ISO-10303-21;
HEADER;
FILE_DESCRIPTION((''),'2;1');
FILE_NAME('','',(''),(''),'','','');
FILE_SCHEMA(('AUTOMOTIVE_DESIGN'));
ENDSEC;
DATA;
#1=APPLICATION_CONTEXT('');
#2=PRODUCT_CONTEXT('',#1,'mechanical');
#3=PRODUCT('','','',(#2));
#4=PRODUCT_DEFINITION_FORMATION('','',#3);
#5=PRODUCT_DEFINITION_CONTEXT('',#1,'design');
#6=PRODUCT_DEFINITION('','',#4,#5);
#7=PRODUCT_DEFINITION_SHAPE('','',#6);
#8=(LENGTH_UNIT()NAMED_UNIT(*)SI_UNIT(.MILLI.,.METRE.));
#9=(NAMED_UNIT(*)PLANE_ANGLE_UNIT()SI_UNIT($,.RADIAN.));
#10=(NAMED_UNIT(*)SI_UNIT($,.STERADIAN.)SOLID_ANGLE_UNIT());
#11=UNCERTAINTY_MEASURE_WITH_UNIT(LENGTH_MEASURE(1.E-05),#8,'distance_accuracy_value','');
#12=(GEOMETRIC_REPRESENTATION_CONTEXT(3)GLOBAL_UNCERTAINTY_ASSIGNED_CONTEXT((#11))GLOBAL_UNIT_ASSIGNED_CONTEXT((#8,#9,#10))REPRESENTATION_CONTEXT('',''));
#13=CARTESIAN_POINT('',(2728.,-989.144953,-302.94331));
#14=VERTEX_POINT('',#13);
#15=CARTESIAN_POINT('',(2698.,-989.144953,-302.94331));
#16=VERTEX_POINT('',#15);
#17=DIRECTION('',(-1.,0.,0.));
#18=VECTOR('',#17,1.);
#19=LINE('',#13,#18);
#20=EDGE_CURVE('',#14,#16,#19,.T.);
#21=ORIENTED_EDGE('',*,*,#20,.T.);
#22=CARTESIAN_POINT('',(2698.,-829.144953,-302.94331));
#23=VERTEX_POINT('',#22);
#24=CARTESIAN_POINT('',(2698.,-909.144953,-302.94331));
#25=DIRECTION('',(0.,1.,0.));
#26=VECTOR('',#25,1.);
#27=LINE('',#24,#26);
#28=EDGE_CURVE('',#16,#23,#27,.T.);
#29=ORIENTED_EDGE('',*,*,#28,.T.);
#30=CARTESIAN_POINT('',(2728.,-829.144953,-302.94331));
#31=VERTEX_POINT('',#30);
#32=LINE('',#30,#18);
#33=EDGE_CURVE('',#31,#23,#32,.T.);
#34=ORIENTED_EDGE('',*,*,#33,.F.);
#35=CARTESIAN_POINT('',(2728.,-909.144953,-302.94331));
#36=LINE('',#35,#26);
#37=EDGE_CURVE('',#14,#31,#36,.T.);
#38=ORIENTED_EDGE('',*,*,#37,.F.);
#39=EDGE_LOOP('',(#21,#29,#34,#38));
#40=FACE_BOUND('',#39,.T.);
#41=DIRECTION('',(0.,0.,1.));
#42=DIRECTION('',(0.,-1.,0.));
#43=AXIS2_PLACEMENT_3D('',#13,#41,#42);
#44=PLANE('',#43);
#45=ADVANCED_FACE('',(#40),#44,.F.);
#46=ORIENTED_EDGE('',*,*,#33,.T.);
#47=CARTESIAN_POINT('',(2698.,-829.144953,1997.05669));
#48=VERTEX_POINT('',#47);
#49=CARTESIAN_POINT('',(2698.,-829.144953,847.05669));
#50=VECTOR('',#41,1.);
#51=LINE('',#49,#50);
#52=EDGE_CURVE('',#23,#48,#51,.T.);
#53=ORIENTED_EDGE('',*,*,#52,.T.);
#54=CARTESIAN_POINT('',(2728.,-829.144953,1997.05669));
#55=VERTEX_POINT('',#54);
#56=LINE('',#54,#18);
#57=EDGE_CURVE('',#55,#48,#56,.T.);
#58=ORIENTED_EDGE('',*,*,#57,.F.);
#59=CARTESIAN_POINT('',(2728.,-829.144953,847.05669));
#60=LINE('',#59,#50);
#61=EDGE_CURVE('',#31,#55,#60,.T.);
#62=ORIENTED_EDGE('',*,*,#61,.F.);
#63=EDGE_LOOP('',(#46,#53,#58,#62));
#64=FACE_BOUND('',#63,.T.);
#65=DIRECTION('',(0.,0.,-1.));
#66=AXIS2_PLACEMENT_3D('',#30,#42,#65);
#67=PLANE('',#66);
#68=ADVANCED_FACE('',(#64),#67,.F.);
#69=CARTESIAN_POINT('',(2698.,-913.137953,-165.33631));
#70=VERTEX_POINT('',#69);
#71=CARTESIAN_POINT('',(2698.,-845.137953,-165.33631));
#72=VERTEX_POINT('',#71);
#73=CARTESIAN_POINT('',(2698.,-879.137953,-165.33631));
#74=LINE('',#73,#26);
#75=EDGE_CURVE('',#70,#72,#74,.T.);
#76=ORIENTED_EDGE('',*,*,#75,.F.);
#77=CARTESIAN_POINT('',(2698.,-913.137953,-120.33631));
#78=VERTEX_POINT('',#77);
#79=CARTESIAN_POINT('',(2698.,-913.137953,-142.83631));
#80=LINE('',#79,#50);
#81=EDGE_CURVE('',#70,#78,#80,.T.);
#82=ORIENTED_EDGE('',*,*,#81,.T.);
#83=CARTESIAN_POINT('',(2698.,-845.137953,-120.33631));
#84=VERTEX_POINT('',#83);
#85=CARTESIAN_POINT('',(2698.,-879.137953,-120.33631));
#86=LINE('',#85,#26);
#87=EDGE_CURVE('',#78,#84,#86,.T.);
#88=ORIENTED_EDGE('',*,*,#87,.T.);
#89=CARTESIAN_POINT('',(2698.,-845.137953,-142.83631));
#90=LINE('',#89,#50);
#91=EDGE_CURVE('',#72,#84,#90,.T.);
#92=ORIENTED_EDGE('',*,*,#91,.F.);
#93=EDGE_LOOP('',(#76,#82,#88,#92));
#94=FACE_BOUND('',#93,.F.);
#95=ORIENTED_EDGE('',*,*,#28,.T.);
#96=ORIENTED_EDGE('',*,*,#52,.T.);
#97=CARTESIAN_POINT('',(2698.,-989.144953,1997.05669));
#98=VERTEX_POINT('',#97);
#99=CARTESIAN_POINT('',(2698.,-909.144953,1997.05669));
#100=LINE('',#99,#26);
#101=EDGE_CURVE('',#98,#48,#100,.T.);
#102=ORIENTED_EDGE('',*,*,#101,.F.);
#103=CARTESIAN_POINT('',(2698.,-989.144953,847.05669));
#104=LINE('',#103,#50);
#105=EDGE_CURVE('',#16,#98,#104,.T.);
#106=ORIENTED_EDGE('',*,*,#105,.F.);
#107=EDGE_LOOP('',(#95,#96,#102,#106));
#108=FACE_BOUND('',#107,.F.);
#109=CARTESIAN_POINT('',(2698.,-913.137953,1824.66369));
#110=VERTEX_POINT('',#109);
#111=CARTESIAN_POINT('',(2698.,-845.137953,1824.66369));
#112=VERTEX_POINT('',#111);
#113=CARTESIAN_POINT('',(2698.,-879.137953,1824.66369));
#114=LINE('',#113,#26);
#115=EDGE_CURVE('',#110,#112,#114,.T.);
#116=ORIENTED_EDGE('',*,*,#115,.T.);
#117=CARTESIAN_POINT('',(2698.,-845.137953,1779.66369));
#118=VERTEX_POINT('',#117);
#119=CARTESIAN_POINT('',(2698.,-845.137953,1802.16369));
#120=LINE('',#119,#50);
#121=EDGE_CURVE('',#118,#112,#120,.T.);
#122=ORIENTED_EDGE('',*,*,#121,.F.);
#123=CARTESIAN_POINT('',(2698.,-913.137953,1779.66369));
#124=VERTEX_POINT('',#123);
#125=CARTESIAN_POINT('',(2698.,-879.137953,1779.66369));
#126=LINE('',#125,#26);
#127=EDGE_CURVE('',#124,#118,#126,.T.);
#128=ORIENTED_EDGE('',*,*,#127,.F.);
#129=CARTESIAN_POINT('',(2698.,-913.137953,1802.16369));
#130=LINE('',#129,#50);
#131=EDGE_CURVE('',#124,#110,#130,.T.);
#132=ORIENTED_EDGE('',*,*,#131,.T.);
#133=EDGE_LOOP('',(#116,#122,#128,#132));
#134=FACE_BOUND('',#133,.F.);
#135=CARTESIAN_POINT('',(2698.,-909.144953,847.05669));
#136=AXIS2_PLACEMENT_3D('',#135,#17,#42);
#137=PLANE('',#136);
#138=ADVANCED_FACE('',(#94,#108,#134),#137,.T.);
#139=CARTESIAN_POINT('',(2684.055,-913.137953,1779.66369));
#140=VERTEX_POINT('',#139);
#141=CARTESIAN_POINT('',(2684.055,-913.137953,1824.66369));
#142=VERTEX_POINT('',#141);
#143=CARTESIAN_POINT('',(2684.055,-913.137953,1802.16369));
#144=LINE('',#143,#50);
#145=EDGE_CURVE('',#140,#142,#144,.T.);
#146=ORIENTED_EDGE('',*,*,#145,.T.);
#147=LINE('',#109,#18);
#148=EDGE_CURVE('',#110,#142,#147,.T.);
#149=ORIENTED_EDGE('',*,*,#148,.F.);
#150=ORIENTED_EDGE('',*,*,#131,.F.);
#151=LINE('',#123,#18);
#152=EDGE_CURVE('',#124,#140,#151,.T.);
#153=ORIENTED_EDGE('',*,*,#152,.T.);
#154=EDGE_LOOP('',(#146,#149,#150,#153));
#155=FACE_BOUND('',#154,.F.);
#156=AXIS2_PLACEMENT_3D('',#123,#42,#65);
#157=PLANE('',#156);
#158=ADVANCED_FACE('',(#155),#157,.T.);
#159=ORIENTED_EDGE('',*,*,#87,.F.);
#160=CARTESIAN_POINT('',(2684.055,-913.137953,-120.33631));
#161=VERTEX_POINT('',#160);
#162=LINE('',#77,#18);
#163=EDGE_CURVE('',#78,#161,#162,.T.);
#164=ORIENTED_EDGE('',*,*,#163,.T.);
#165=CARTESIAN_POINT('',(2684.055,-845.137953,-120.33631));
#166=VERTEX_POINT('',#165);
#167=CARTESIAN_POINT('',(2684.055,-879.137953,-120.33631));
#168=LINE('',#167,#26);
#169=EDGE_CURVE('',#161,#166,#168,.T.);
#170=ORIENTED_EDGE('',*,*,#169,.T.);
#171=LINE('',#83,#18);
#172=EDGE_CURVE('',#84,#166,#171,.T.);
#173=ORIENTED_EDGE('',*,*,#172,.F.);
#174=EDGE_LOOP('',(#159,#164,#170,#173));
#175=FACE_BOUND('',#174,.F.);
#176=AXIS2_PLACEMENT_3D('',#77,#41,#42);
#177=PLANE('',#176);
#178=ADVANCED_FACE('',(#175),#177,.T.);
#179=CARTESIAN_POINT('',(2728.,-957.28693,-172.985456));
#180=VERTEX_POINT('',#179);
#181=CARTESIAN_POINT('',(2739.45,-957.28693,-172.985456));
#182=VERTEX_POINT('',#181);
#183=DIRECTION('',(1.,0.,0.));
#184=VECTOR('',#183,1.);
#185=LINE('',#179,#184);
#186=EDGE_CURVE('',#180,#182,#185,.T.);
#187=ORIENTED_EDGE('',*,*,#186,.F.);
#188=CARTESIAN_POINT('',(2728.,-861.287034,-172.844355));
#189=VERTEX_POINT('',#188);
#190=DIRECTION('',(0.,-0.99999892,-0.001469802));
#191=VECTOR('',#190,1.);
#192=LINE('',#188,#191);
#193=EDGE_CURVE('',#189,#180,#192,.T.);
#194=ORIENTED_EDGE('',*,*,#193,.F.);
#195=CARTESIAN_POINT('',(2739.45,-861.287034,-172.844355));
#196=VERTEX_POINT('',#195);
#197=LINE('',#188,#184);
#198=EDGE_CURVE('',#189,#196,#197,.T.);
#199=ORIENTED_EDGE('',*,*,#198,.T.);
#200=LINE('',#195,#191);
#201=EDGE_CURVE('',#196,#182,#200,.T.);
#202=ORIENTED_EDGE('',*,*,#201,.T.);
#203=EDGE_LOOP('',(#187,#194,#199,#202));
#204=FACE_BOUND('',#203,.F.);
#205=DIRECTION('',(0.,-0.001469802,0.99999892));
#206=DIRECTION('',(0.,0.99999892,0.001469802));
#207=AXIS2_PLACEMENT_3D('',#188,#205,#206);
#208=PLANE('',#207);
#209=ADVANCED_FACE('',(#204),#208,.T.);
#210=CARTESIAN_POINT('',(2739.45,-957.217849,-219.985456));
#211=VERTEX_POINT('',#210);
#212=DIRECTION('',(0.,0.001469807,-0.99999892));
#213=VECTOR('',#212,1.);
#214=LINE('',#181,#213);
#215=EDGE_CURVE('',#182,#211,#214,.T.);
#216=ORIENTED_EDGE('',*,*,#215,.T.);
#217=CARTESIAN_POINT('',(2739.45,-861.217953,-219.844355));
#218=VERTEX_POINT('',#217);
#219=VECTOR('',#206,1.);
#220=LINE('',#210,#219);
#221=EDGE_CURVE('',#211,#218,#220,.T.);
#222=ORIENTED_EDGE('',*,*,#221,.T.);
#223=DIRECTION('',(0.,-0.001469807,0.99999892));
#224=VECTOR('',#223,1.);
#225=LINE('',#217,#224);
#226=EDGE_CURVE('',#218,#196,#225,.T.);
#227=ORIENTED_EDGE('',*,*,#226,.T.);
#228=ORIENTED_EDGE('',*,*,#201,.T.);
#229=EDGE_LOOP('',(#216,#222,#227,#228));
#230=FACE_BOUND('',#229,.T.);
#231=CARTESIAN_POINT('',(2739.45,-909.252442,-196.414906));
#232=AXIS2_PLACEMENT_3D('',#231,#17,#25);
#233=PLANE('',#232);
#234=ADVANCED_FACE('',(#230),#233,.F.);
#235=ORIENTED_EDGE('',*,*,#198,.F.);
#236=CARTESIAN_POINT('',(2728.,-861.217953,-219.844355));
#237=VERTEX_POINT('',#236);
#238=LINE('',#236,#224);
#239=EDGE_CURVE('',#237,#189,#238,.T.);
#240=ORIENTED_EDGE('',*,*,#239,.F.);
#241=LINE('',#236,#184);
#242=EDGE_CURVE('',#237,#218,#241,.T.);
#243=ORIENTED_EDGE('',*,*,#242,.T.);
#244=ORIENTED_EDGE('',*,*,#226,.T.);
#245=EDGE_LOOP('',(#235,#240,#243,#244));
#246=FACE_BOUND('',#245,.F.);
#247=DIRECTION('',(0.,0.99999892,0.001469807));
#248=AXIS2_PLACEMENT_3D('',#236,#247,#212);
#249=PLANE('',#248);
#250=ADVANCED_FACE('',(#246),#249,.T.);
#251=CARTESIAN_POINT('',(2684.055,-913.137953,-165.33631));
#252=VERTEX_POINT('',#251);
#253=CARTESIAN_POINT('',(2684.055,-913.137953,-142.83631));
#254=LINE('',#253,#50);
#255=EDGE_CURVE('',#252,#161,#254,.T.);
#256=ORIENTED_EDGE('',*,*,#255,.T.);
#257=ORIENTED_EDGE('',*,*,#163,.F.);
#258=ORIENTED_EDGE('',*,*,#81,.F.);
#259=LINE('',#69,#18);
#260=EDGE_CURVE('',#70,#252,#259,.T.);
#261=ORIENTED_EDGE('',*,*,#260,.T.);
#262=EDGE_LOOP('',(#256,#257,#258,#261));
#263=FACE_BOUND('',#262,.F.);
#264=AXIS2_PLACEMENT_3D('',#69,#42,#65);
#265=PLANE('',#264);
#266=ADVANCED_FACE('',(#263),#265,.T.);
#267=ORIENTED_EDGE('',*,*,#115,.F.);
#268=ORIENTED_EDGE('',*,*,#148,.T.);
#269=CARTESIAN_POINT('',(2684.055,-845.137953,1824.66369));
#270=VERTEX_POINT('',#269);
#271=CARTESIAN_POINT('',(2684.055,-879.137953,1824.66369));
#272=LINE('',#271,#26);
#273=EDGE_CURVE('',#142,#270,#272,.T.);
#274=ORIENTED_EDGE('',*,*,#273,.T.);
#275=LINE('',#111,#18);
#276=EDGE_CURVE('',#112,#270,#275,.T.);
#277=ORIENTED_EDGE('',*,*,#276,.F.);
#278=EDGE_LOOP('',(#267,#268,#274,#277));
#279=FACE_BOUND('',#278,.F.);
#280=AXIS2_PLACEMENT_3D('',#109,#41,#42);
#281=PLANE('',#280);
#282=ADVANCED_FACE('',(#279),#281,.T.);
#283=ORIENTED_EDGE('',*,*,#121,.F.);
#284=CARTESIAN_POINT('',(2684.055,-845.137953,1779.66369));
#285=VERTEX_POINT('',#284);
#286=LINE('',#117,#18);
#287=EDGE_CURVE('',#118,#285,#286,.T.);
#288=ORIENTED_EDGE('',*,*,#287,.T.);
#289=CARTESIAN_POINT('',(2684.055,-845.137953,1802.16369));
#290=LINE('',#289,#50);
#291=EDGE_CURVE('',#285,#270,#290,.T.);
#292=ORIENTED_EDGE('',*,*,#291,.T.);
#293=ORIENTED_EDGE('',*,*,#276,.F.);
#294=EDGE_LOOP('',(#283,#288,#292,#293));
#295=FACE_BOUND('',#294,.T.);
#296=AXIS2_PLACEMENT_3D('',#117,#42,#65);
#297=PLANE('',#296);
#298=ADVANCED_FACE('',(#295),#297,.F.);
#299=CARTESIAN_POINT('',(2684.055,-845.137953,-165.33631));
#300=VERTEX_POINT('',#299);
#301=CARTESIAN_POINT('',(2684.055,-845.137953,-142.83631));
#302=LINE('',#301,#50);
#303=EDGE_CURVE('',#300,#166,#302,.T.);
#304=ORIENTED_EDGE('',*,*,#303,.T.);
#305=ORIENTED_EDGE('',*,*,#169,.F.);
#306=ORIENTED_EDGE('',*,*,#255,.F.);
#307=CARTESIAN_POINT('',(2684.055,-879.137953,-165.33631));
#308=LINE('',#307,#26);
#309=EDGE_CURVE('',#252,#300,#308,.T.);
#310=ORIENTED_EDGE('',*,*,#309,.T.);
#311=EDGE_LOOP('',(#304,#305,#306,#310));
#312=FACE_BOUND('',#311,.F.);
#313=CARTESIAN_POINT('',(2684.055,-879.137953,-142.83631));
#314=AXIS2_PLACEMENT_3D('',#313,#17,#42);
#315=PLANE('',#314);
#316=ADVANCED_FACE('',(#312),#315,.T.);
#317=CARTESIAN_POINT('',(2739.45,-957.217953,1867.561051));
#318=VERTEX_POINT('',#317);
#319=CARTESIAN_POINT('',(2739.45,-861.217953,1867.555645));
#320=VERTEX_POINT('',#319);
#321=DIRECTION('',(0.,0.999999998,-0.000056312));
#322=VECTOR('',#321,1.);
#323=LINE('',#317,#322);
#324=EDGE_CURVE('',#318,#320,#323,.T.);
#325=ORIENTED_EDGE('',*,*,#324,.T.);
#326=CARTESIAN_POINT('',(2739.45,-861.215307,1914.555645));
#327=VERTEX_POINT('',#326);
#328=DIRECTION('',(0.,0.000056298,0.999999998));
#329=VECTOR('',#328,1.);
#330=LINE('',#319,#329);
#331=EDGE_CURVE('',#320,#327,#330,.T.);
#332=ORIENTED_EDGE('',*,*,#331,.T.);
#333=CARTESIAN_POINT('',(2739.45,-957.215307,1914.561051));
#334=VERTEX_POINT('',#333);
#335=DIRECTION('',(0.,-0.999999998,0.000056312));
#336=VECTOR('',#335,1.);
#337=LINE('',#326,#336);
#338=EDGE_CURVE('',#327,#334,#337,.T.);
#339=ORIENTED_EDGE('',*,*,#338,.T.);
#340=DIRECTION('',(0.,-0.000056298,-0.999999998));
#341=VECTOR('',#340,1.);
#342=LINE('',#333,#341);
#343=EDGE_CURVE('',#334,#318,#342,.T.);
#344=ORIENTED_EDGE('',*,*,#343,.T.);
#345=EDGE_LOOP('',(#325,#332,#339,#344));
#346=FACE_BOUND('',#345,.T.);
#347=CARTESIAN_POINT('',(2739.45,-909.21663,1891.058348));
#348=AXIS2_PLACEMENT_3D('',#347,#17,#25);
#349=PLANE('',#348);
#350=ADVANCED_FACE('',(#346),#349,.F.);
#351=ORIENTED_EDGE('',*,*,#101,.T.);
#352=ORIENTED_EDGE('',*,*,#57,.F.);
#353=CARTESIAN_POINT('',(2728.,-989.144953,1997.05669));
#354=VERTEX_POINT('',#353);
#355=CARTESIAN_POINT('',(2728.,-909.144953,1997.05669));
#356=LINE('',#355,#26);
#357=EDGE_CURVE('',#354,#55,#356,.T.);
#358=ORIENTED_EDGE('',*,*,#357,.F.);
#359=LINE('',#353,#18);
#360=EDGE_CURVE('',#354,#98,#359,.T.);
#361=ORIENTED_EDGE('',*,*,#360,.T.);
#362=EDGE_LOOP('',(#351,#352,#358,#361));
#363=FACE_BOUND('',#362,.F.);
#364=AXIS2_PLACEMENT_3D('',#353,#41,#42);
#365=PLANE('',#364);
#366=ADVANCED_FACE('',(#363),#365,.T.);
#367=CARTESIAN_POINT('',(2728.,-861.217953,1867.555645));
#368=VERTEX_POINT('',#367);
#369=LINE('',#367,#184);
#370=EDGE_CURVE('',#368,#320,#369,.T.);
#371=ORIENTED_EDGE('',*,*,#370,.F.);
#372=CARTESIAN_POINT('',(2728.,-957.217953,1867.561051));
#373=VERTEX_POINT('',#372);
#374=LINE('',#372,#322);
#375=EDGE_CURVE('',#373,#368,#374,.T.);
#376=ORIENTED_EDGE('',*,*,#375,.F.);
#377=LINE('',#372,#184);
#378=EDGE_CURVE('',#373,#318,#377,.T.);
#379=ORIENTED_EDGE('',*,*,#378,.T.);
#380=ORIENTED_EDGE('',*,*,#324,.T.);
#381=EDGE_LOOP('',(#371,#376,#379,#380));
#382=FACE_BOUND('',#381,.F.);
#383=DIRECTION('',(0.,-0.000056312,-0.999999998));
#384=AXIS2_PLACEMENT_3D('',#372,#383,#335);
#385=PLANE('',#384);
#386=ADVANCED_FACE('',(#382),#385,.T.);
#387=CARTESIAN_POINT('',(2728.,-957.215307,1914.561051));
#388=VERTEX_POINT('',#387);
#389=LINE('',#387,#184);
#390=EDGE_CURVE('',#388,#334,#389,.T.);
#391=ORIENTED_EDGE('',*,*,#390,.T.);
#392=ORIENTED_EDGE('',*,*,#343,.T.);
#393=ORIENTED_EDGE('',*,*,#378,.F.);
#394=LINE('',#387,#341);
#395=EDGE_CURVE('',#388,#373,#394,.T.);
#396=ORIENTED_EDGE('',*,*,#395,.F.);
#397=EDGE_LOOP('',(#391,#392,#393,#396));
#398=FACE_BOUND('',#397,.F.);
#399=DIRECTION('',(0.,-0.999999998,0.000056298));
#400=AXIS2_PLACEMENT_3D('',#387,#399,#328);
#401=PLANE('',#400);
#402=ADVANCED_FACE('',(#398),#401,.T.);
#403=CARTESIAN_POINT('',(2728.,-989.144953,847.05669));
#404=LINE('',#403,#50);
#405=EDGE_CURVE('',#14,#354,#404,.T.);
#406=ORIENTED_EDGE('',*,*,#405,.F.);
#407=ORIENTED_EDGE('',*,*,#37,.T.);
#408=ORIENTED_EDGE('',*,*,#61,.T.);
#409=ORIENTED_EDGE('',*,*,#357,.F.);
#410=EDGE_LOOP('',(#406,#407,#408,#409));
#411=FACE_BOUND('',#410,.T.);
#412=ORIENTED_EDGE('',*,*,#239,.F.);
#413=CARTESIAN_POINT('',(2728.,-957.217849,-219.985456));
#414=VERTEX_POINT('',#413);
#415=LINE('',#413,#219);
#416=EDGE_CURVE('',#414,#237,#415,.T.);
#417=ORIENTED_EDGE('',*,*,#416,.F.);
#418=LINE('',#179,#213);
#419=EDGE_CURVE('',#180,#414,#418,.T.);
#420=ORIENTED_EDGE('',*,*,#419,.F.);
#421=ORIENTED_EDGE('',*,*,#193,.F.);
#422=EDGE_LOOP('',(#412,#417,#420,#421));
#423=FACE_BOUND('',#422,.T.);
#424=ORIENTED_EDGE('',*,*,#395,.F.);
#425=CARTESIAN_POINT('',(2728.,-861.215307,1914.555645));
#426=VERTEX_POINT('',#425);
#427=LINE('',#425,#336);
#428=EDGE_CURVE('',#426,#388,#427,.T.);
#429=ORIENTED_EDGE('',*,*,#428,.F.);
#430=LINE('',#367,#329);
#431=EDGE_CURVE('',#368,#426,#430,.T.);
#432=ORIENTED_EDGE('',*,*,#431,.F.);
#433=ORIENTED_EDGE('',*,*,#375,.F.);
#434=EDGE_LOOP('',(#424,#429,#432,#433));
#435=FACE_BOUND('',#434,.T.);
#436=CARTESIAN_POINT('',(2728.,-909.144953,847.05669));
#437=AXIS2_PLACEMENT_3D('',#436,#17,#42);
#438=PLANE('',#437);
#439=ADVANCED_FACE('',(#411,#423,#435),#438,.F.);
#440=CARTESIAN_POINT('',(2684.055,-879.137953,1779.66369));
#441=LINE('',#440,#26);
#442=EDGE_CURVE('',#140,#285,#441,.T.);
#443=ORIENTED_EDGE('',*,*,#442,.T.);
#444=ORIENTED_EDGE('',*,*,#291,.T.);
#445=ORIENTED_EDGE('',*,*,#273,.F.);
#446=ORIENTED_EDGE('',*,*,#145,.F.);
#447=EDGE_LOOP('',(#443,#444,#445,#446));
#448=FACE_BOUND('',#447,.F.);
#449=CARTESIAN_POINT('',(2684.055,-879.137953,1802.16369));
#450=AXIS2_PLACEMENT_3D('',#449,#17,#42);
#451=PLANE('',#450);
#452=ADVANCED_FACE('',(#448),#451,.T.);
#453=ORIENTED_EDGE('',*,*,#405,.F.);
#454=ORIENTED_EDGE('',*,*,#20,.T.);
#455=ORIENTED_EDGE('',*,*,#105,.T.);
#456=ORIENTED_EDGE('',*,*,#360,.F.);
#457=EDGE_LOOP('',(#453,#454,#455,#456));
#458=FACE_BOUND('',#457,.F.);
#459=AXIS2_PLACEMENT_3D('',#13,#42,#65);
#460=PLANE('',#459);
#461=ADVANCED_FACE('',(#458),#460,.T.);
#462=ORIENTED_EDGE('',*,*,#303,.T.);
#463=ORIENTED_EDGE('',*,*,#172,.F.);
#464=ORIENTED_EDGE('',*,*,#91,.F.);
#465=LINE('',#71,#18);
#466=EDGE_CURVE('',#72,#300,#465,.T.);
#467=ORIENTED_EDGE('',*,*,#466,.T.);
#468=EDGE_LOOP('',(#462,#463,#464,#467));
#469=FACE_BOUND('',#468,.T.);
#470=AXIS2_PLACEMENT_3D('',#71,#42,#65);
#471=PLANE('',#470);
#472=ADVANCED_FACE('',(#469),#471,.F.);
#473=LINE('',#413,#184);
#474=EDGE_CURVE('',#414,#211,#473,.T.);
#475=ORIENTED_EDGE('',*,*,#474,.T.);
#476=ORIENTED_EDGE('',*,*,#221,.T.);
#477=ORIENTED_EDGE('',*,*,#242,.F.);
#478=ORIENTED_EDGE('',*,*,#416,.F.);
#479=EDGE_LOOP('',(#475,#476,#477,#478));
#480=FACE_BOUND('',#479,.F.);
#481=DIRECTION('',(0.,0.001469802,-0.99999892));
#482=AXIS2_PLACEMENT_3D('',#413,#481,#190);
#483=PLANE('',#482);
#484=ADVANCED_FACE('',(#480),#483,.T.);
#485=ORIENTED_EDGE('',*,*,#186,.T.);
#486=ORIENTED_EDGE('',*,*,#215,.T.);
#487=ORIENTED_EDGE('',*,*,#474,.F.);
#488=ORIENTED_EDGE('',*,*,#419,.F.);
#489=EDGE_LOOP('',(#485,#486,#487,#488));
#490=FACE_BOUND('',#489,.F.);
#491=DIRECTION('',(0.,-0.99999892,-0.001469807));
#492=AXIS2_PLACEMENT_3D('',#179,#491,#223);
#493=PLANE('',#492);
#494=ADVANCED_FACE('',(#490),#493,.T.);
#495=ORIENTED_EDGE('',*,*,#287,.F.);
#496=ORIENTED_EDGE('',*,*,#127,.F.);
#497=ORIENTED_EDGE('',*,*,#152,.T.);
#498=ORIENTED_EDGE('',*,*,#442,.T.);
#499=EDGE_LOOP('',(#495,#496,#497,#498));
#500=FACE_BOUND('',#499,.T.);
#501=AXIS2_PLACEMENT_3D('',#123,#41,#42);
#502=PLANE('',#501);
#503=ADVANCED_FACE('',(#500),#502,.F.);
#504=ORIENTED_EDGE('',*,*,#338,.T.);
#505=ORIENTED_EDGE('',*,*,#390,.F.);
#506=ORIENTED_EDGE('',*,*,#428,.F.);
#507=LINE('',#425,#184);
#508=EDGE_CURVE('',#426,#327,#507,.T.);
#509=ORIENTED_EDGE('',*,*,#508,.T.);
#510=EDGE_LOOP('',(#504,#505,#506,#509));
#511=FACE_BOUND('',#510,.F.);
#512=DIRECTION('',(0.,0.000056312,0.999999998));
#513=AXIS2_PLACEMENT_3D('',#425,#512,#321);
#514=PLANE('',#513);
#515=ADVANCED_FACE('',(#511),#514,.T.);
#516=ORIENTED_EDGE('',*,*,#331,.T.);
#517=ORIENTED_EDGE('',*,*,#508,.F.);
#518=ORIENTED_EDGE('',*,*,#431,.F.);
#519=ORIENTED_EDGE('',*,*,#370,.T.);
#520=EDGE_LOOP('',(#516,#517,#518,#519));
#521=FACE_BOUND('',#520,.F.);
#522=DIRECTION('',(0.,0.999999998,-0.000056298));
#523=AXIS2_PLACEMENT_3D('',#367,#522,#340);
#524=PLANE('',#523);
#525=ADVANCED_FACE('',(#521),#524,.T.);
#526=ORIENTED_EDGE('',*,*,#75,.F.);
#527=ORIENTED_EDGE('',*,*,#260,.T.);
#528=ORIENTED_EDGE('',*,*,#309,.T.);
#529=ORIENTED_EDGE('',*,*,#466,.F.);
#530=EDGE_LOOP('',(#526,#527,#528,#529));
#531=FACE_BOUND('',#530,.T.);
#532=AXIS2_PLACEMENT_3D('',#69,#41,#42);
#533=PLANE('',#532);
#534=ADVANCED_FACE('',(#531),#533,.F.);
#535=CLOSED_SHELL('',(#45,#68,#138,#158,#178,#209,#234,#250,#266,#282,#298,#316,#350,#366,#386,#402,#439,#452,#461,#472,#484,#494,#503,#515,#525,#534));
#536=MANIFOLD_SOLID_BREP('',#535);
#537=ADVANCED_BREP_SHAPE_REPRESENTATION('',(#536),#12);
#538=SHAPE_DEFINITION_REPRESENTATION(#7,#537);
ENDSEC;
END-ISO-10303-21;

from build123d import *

# Parameters (mm, degrees)
SKETCH007_W             = 160
SKETCH007_H             = 2300
PAD007_DEPTH            = 30
PAD008_DEPTH            = 11.45
SKETCH009_W             = 68
SKETCH009_H             = 45
PAD009_DEPTH            = 13.945
BODY004_PLACEMENT_ANGLE = 180


with BuildPart() as r_support:
    # Sketch007 → Pad007 (new body)
    with BuildSketch(Plane.YZ):
        with Locations((-911.017, 830.848)):
            Rectangle(SKETCH007_W, SKETCH007_H)
    extrude(amount=PAD007_DEPTH)

    # Sketch008 (on Face5 of Pad007) → Pad008 (join)
    with BuildSketch(Plane(origin=(0, 0, 0), x_dir=(0, 1, 0), z_dir=(-1, 0, 0))):
        Polygon((-959.089896, 236.194146), (-863.09, 236.053045), (-863.159081, 189.053045), (-959.158977, 189.194146), align=None)
        Polygon((-959.09, -1851.352361), (-863.09, -1851.346955), (-863.087354, -1898.346955), (-959.087354, -1898.352361), align=None)
    extrude(amount=PAD008_DEPTH)

    # Sketch009 (on Face5 of Pad008) → Pad009 (join)
    with BuildSketch(Plane.YZ.offset(30)):
        with Locations((-881.01, -159.045)):
            Rectangle(SKETCH009_W, SKETCH009_H)
        with Locations((-881.01, 1785.955)):
            Rectangle(SKETCH009_W, SKETCH009_H)
    extrude(amount=PAD009_DEPTH)


with BuildPart() as r_support_1:
    # Body004 placement: moved
    add(r_support.part.moved(Location((4028, -1820.37693, 16.20869))).rotate(Axis((4028, -1820.37693, 16.20869), (0, 0, 1)), BODY004_PLACEMENT_ANGLE))


with BuildPart() as part_mirroring:
    # Part__Mirroring: instance of R Support
    add(r_support_1.part.mirror(Plane(origin=(0, 0, 0), x_dir=(1, 0, 0), z_dir=(0, 1, 0))))


with BuildPart() as part_mirroring_1:
    # Part__Mirroring placement: moved
    add(part_mirroring.part.moved(Location((-1300, -1818.504883, 0))))


solid = part_mirroring_1.part
